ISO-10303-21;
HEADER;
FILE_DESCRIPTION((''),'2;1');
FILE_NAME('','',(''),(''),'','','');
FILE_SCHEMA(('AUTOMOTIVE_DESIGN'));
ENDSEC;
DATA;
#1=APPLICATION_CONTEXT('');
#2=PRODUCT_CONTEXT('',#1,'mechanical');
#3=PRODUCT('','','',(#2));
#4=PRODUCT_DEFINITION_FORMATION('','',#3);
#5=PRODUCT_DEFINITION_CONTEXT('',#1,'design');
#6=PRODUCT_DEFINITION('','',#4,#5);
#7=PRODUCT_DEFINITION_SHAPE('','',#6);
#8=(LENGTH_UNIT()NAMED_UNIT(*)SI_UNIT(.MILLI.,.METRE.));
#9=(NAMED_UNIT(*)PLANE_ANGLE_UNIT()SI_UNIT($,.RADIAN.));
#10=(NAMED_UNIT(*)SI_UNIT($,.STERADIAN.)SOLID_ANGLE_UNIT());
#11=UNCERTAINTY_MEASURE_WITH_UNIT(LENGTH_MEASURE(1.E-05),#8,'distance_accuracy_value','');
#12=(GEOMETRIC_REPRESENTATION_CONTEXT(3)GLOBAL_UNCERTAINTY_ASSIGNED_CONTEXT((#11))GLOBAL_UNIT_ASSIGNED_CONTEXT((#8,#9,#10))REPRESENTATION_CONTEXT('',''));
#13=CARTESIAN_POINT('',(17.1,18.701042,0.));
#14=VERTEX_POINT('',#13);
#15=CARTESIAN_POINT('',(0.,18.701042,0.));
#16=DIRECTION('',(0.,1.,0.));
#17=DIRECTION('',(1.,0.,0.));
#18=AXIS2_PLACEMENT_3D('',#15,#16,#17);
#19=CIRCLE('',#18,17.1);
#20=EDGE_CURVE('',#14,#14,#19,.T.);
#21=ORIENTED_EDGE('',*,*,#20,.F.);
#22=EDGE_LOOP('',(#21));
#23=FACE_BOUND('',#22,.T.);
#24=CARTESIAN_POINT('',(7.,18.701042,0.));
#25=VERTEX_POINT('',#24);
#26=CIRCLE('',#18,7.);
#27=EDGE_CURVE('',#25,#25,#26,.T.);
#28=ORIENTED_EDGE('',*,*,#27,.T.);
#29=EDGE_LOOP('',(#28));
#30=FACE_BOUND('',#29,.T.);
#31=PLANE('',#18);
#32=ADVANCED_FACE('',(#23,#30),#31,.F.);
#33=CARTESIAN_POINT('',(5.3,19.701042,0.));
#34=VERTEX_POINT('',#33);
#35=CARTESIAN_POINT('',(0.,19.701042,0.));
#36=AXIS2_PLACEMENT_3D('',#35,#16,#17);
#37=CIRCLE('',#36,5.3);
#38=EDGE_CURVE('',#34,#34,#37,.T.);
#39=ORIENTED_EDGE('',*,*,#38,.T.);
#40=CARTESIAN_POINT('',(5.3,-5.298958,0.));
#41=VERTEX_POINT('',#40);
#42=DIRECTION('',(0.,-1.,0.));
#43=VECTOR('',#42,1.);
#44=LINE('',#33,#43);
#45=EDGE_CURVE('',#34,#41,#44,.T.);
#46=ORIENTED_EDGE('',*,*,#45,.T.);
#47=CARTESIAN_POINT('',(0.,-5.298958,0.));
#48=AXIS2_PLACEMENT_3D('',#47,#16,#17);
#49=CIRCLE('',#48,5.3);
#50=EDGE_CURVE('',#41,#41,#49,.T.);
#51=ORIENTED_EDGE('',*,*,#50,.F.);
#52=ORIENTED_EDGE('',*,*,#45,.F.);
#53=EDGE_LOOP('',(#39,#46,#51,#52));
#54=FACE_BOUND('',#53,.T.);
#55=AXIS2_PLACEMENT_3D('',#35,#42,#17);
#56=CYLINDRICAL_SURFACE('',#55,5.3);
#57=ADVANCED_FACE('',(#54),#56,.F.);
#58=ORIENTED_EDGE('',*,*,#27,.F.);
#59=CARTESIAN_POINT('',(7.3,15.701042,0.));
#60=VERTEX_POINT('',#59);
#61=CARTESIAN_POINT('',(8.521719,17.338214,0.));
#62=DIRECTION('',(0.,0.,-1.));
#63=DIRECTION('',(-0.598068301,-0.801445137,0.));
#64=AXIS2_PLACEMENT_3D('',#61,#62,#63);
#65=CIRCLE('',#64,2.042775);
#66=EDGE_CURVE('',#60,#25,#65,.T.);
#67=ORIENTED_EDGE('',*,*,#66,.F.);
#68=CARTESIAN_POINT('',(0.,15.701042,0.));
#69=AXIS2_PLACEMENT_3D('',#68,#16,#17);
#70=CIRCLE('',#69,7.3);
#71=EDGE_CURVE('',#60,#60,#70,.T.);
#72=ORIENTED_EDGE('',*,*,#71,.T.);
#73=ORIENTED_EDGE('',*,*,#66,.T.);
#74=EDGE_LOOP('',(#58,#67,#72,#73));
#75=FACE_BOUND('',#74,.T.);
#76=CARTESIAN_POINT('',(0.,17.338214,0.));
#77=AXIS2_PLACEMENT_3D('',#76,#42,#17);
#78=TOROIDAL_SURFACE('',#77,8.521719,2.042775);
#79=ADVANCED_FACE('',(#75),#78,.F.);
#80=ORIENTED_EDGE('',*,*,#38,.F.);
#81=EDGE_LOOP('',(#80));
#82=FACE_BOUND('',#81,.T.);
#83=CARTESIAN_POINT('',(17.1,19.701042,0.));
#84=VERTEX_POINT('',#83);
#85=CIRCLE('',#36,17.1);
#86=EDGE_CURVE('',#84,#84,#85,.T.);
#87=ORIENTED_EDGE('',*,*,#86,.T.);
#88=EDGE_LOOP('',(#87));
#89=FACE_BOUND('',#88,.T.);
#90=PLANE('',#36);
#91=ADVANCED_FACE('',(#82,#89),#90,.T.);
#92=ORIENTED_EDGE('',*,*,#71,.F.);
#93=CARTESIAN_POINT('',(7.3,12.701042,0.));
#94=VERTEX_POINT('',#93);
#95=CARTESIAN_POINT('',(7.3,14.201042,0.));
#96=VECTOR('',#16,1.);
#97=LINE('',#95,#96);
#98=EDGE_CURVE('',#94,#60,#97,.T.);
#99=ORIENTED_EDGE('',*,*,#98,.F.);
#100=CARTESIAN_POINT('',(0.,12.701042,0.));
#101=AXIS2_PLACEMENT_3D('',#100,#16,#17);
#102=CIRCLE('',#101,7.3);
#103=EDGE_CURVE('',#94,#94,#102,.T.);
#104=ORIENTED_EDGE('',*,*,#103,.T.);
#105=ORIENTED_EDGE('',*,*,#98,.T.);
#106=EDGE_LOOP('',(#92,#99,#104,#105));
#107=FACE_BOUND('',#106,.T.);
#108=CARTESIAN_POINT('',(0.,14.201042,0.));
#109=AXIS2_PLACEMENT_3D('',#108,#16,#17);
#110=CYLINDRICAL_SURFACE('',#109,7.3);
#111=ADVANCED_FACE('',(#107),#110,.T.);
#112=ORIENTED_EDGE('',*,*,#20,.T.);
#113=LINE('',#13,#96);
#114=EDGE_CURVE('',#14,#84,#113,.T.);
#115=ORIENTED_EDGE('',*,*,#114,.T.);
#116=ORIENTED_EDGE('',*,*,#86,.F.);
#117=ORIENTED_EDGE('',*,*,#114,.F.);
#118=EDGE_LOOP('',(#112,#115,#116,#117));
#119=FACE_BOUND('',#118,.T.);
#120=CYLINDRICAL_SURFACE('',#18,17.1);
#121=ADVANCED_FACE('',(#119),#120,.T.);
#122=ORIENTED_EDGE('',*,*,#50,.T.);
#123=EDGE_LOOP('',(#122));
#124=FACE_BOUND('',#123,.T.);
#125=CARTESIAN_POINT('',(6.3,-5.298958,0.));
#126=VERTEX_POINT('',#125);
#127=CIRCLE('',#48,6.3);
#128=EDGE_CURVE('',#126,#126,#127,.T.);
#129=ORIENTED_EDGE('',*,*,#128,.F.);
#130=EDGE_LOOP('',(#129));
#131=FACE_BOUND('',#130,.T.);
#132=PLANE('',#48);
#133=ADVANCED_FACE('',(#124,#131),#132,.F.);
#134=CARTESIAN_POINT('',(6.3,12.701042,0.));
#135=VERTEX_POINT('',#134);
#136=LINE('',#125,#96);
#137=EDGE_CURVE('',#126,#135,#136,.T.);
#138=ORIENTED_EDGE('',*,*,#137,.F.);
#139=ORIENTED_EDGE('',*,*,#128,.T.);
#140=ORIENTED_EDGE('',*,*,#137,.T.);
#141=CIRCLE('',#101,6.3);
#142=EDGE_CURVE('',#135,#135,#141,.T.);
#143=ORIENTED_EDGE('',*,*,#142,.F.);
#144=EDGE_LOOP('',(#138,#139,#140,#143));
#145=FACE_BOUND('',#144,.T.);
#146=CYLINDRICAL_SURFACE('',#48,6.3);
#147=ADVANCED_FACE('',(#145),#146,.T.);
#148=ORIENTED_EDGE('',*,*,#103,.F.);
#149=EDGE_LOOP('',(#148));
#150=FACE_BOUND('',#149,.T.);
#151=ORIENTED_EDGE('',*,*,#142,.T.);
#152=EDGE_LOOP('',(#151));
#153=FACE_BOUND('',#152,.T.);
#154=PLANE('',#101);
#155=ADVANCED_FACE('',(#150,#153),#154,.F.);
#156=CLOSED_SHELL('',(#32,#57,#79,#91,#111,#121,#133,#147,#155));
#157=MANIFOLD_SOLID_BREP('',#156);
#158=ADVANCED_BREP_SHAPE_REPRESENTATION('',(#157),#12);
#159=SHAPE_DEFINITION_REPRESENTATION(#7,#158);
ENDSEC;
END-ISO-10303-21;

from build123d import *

# Parameters (mm, degrees)
F1_W   = 1
F1_H   = 1
F1_H_2 = 3


with BuildPart() as f2:
    # F1 (on Top) → F2 (revolve)
    with BuildSketch(Plane.XY):
        with Locations((5.8, 19.201042)):
            Rectangle(F1_W, F1_H)
        Polygon((5.3, 18.701042), (5.3, -5.298958), (6.3, -5.298958), (6.3, 12.701042), (6.3, 15.701042), (6.3, 18.701042), align=None)
        Polygon((6.3, 19.701042), (6.3, 18.701042), (7, 18.701042), (17.1, 18.701042), (17.1, 19.701042), align=None)
        with BuildLine():
            Line((7, 18.701042), (6.3, 18.701042))
            Line((6.3, 18.701042), (6.3, 15.701042))
            Line((6.3, 15.701042), (7.3, 15.701042))
            ThreePointArc((7.3, 15.701042), (6.489082, 17.13495), (7, 18.701042))
        make_face()
        with Locations((6.8, 14.201042)):
            Rectangle(F1_W, F1_H_2)
    revolve(axis=Axis((0, 5.007949, 0), (0, 1, 0)))


solid = f2.part
